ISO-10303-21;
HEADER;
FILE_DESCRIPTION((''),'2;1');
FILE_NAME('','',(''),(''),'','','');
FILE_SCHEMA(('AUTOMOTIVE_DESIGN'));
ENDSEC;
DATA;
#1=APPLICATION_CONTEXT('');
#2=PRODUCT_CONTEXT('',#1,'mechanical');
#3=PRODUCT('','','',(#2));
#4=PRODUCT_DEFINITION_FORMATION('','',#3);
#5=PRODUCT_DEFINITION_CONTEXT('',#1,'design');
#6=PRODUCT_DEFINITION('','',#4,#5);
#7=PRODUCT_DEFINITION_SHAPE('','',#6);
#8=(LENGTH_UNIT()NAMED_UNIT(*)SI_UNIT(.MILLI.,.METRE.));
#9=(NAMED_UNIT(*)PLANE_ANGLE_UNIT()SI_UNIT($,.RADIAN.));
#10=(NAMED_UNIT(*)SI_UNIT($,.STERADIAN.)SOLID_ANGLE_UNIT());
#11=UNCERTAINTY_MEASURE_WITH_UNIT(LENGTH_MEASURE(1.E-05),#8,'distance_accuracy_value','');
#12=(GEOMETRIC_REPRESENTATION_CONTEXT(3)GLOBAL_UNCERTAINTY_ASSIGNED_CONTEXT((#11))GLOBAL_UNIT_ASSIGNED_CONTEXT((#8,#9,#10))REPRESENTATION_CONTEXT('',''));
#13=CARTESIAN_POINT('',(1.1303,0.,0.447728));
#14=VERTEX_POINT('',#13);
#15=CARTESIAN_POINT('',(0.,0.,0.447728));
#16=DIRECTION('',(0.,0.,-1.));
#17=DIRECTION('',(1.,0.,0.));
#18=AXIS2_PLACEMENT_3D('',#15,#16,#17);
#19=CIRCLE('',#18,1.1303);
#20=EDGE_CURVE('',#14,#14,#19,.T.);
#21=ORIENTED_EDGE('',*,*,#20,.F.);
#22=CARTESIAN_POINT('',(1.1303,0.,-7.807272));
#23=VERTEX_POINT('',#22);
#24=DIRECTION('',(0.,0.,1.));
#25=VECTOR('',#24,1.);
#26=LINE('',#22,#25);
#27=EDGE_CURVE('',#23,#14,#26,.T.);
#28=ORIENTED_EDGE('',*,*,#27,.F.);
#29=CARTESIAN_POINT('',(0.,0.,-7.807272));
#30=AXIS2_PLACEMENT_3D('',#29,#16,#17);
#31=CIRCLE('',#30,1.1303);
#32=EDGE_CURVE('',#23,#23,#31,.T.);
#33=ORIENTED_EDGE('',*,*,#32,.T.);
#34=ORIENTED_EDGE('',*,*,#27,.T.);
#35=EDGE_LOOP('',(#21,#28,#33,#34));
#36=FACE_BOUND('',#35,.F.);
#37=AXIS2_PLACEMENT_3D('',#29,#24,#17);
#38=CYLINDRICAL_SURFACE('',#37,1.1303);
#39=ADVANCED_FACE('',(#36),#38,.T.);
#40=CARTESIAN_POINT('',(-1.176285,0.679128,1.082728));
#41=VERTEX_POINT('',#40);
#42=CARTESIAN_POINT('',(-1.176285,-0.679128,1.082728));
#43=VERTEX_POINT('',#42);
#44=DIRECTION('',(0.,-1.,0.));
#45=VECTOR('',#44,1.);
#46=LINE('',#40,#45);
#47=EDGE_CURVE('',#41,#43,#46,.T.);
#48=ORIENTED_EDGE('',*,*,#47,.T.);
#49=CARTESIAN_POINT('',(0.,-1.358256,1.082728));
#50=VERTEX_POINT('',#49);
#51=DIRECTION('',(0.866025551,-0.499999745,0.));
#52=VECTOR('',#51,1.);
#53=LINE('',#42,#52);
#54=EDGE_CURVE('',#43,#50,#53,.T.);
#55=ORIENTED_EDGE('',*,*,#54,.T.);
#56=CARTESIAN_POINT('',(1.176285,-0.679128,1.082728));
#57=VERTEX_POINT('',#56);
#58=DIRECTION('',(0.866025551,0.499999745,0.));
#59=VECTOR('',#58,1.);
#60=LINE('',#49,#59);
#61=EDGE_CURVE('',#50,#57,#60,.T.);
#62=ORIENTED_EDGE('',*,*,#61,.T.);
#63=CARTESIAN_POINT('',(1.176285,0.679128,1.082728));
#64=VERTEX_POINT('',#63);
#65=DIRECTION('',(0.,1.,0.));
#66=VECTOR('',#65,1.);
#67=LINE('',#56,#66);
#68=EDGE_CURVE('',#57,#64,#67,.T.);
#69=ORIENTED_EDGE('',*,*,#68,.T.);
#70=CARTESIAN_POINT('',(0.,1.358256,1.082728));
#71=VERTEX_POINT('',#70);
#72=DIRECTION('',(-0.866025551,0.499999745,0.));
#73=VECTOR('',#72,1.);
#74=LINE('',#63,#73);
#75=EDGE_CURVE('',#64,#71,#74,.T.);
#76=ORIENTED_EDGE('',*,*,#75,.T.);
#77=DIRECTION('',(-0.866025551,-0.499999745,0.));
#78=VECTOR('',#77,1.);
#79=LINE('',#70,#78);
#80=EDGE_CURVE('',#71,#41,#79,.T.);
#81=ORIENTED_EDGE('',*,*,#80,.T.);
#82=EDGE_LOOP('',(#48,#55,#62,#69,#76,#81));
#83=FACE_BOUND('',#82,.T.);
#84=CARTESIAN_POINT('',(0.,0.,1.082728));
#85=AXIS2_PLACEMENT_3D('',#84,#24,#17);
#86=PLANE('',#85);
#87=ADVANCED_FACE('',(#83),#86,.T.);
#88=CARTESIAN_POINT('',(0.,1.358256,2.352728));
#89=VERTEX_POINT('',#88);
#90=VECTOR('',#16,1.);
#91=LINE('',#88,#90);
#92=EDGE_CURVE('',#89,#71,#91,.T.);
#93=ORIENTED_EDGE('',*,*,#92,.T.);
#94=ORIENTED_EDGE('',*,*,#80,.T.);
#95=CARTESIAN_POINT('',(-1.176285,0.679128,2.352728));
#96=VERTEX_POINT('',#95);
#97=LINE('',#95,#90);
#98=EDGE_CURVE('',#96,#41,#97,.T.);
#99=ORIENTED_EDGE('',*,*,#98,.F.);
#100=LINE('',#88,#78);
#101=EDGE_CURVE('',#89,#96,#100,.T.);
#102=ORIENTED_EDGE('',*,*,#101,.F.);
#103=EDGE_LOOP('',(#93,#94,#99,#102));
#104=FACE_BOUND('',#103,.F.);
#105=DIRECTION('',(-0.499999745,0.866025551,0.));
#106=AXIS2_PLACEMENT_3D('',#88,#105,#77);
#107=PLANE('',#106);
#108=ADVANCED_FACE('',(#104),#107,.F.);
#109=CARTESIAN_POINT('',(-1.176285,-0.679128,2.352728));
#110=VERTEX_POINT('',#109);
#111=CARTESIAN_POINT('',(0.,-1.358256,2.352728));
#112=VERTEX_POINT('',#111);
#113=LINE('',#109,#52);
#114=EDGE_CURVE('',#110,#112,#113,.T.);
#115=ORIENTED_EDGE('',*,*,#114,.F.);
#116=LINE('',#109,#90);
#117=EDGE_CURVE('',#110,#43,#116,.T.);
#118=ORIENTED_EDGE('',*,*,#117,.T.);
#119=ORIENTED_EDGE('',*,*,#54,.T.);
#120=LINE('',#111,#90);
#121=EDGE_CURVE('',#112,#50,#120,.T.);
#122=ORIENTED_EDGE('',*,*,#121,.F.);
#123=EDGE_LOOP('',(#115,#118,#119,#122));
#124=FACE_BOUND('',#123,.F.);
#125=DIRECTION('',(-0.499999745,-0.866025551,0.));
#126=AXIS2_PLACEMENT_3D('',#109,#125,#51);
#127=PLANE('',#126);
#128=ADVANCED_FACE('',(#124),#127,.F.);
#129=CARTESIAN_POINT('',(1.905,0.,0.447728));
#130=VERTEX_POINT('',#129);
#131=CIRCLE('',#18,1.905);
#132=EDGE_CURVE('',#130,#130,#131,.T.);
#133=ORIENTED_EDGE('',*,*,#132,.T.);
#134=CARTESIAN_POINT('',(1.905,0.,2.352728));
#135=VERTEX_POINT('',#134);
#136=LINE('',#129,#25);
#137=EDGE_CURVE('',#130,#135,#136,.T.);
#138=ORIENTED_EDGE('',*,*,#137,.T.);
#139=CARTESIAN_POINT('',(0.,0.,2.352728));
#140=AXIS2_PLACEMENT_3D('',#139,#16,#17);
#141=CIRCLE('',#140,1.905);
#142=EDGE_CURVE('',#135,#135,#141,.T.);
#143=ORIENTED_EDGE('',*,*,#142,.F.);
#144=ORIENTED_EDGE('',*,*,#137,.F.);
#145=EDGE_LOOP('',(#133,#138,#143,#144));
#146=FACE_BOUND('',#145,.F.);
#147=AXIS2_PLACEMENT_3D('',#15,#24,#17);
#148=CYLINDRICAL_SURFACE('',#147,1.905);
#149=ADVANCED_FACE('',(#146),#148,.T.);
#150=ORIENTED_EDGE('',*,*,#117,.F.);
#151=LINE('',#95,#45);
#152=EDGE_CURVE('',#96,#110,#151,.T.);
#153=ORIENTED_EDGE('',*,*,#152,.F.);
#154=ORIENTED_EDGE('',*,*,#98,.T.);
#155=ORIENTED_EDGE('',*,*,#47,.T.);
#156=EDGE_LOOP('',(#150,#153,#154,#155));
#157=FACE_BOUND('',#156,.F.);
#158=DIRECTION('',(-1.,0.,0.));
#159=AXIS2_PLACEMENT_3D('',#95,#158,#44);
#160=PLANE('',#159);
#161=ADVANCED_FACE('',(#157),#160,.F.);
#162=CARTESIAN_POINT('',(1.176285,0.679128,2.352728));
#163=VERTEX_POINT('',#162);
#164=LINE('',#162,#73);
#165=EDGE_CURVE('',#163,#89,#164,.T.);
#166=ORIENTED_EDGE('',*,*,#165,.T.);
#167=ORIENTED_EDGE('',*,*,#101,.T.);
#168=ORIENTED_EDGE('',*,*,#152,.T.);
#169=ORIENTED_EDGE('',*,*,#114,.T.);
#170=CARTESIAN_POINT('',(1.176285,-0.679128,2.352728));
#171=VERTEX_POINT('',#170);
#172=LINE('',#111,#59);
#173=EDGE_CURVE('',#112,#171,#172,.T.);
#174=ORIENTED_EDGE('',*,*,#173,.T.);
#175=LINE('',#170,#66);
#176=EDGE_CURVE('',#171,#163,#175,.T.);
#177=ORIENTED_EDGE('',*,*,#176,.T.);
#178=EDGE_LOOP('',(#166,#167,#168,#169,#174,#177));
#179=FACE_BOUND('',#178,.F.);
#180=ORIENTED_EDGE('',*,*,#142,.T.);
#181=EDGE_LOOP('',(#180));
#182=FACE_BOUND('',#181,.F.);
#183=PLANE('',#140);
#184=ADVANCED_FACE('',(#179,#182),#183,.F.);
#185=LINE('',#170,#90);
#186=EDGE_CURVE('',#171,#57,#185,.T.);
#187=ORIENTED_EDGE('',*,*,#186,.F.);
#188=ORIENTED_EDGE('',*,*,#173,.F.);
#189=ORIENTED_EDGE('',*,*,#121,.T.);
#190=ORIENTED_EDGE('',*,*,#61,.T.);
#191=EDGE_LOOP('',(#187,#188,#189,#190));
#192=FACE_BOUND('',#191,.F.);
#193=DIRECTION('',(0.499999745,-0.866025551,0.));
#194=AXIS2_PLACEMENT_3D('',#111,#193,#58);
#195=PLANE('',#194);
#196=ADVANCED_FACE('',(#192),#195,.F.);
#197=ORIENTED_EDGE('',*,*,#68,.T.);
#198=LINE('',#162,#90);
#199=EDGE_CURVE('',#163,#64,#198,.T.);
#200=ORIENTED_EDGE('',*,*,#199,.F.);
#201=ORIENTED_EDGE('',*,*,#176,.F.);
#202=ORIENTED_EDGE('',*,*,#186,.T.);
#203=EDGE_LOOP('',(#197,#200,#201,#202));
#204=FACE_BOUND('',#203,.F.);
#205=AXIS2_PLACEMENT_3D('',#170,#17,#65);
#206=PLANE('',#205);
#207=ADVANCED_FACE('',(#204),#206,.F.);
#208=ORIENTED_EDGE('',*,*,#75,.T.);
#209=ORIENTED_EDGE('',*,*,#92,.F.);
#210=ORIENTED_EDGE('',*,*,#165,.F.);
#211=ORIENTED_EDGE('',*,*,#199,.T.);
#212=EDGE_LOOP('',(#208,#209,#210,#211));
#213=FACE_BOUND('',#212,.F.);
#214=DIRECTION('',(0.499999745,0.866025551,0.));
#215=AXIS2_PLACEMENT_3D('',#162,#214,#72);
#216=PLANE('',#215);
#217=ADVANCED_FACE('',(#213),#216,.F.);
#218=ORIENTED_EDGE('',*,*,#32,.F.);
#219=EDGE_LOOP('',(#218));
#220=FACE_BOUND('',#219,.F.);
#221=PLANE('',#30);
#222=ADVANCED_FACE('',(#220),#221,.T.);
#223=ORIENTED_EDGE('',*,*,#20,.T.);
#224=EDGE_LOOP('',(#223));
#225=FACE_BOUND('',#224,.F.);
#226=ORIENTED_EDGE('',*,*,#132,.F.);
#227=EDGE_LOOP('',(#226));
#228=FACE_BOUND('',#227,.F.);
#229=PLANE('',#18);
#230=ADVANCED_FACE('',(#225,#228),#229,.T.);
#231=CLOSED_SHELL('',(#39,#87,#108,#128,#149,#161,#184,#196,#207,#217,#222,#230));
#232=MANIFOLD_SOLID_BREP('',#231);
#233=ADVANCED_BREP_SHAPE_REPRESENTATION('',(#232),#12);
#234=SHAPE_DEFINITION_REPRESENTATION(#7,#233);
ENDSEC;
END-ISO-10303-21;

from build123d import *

# Parameters (mm, degrees)
F3_DEPTH = 1.27


with BuildPart() as f1:
    # F0 (on Front) → F1 (revolve)
    with BuildSketch(Plane.XZ):
        Polygon((1.905, 2.352728), (0, 2.352728), (0, -7.807272), (1.1303, -7.807272), (1.1303, 0.447728), (1.905, 0.447728), align=None)
    revolve(axis=Axis((0, 0, -2.727272), (0, 0, -1)))

    # F2 (on face) → F3 (cut)
    with BuildSketch(Plane.XY.offset(2.352728)):
        Polygon((-1.176285, 0.679128), (-1.176285, -0.679128), (0, -1.358256), (1.176285, -0.679128), (1.176285, 0.679128), (0, 1.358256), align=None)
    extrude(amount=-F3_DEPTH, mode=Mode.SUBTRACT)


solid = f1.part
